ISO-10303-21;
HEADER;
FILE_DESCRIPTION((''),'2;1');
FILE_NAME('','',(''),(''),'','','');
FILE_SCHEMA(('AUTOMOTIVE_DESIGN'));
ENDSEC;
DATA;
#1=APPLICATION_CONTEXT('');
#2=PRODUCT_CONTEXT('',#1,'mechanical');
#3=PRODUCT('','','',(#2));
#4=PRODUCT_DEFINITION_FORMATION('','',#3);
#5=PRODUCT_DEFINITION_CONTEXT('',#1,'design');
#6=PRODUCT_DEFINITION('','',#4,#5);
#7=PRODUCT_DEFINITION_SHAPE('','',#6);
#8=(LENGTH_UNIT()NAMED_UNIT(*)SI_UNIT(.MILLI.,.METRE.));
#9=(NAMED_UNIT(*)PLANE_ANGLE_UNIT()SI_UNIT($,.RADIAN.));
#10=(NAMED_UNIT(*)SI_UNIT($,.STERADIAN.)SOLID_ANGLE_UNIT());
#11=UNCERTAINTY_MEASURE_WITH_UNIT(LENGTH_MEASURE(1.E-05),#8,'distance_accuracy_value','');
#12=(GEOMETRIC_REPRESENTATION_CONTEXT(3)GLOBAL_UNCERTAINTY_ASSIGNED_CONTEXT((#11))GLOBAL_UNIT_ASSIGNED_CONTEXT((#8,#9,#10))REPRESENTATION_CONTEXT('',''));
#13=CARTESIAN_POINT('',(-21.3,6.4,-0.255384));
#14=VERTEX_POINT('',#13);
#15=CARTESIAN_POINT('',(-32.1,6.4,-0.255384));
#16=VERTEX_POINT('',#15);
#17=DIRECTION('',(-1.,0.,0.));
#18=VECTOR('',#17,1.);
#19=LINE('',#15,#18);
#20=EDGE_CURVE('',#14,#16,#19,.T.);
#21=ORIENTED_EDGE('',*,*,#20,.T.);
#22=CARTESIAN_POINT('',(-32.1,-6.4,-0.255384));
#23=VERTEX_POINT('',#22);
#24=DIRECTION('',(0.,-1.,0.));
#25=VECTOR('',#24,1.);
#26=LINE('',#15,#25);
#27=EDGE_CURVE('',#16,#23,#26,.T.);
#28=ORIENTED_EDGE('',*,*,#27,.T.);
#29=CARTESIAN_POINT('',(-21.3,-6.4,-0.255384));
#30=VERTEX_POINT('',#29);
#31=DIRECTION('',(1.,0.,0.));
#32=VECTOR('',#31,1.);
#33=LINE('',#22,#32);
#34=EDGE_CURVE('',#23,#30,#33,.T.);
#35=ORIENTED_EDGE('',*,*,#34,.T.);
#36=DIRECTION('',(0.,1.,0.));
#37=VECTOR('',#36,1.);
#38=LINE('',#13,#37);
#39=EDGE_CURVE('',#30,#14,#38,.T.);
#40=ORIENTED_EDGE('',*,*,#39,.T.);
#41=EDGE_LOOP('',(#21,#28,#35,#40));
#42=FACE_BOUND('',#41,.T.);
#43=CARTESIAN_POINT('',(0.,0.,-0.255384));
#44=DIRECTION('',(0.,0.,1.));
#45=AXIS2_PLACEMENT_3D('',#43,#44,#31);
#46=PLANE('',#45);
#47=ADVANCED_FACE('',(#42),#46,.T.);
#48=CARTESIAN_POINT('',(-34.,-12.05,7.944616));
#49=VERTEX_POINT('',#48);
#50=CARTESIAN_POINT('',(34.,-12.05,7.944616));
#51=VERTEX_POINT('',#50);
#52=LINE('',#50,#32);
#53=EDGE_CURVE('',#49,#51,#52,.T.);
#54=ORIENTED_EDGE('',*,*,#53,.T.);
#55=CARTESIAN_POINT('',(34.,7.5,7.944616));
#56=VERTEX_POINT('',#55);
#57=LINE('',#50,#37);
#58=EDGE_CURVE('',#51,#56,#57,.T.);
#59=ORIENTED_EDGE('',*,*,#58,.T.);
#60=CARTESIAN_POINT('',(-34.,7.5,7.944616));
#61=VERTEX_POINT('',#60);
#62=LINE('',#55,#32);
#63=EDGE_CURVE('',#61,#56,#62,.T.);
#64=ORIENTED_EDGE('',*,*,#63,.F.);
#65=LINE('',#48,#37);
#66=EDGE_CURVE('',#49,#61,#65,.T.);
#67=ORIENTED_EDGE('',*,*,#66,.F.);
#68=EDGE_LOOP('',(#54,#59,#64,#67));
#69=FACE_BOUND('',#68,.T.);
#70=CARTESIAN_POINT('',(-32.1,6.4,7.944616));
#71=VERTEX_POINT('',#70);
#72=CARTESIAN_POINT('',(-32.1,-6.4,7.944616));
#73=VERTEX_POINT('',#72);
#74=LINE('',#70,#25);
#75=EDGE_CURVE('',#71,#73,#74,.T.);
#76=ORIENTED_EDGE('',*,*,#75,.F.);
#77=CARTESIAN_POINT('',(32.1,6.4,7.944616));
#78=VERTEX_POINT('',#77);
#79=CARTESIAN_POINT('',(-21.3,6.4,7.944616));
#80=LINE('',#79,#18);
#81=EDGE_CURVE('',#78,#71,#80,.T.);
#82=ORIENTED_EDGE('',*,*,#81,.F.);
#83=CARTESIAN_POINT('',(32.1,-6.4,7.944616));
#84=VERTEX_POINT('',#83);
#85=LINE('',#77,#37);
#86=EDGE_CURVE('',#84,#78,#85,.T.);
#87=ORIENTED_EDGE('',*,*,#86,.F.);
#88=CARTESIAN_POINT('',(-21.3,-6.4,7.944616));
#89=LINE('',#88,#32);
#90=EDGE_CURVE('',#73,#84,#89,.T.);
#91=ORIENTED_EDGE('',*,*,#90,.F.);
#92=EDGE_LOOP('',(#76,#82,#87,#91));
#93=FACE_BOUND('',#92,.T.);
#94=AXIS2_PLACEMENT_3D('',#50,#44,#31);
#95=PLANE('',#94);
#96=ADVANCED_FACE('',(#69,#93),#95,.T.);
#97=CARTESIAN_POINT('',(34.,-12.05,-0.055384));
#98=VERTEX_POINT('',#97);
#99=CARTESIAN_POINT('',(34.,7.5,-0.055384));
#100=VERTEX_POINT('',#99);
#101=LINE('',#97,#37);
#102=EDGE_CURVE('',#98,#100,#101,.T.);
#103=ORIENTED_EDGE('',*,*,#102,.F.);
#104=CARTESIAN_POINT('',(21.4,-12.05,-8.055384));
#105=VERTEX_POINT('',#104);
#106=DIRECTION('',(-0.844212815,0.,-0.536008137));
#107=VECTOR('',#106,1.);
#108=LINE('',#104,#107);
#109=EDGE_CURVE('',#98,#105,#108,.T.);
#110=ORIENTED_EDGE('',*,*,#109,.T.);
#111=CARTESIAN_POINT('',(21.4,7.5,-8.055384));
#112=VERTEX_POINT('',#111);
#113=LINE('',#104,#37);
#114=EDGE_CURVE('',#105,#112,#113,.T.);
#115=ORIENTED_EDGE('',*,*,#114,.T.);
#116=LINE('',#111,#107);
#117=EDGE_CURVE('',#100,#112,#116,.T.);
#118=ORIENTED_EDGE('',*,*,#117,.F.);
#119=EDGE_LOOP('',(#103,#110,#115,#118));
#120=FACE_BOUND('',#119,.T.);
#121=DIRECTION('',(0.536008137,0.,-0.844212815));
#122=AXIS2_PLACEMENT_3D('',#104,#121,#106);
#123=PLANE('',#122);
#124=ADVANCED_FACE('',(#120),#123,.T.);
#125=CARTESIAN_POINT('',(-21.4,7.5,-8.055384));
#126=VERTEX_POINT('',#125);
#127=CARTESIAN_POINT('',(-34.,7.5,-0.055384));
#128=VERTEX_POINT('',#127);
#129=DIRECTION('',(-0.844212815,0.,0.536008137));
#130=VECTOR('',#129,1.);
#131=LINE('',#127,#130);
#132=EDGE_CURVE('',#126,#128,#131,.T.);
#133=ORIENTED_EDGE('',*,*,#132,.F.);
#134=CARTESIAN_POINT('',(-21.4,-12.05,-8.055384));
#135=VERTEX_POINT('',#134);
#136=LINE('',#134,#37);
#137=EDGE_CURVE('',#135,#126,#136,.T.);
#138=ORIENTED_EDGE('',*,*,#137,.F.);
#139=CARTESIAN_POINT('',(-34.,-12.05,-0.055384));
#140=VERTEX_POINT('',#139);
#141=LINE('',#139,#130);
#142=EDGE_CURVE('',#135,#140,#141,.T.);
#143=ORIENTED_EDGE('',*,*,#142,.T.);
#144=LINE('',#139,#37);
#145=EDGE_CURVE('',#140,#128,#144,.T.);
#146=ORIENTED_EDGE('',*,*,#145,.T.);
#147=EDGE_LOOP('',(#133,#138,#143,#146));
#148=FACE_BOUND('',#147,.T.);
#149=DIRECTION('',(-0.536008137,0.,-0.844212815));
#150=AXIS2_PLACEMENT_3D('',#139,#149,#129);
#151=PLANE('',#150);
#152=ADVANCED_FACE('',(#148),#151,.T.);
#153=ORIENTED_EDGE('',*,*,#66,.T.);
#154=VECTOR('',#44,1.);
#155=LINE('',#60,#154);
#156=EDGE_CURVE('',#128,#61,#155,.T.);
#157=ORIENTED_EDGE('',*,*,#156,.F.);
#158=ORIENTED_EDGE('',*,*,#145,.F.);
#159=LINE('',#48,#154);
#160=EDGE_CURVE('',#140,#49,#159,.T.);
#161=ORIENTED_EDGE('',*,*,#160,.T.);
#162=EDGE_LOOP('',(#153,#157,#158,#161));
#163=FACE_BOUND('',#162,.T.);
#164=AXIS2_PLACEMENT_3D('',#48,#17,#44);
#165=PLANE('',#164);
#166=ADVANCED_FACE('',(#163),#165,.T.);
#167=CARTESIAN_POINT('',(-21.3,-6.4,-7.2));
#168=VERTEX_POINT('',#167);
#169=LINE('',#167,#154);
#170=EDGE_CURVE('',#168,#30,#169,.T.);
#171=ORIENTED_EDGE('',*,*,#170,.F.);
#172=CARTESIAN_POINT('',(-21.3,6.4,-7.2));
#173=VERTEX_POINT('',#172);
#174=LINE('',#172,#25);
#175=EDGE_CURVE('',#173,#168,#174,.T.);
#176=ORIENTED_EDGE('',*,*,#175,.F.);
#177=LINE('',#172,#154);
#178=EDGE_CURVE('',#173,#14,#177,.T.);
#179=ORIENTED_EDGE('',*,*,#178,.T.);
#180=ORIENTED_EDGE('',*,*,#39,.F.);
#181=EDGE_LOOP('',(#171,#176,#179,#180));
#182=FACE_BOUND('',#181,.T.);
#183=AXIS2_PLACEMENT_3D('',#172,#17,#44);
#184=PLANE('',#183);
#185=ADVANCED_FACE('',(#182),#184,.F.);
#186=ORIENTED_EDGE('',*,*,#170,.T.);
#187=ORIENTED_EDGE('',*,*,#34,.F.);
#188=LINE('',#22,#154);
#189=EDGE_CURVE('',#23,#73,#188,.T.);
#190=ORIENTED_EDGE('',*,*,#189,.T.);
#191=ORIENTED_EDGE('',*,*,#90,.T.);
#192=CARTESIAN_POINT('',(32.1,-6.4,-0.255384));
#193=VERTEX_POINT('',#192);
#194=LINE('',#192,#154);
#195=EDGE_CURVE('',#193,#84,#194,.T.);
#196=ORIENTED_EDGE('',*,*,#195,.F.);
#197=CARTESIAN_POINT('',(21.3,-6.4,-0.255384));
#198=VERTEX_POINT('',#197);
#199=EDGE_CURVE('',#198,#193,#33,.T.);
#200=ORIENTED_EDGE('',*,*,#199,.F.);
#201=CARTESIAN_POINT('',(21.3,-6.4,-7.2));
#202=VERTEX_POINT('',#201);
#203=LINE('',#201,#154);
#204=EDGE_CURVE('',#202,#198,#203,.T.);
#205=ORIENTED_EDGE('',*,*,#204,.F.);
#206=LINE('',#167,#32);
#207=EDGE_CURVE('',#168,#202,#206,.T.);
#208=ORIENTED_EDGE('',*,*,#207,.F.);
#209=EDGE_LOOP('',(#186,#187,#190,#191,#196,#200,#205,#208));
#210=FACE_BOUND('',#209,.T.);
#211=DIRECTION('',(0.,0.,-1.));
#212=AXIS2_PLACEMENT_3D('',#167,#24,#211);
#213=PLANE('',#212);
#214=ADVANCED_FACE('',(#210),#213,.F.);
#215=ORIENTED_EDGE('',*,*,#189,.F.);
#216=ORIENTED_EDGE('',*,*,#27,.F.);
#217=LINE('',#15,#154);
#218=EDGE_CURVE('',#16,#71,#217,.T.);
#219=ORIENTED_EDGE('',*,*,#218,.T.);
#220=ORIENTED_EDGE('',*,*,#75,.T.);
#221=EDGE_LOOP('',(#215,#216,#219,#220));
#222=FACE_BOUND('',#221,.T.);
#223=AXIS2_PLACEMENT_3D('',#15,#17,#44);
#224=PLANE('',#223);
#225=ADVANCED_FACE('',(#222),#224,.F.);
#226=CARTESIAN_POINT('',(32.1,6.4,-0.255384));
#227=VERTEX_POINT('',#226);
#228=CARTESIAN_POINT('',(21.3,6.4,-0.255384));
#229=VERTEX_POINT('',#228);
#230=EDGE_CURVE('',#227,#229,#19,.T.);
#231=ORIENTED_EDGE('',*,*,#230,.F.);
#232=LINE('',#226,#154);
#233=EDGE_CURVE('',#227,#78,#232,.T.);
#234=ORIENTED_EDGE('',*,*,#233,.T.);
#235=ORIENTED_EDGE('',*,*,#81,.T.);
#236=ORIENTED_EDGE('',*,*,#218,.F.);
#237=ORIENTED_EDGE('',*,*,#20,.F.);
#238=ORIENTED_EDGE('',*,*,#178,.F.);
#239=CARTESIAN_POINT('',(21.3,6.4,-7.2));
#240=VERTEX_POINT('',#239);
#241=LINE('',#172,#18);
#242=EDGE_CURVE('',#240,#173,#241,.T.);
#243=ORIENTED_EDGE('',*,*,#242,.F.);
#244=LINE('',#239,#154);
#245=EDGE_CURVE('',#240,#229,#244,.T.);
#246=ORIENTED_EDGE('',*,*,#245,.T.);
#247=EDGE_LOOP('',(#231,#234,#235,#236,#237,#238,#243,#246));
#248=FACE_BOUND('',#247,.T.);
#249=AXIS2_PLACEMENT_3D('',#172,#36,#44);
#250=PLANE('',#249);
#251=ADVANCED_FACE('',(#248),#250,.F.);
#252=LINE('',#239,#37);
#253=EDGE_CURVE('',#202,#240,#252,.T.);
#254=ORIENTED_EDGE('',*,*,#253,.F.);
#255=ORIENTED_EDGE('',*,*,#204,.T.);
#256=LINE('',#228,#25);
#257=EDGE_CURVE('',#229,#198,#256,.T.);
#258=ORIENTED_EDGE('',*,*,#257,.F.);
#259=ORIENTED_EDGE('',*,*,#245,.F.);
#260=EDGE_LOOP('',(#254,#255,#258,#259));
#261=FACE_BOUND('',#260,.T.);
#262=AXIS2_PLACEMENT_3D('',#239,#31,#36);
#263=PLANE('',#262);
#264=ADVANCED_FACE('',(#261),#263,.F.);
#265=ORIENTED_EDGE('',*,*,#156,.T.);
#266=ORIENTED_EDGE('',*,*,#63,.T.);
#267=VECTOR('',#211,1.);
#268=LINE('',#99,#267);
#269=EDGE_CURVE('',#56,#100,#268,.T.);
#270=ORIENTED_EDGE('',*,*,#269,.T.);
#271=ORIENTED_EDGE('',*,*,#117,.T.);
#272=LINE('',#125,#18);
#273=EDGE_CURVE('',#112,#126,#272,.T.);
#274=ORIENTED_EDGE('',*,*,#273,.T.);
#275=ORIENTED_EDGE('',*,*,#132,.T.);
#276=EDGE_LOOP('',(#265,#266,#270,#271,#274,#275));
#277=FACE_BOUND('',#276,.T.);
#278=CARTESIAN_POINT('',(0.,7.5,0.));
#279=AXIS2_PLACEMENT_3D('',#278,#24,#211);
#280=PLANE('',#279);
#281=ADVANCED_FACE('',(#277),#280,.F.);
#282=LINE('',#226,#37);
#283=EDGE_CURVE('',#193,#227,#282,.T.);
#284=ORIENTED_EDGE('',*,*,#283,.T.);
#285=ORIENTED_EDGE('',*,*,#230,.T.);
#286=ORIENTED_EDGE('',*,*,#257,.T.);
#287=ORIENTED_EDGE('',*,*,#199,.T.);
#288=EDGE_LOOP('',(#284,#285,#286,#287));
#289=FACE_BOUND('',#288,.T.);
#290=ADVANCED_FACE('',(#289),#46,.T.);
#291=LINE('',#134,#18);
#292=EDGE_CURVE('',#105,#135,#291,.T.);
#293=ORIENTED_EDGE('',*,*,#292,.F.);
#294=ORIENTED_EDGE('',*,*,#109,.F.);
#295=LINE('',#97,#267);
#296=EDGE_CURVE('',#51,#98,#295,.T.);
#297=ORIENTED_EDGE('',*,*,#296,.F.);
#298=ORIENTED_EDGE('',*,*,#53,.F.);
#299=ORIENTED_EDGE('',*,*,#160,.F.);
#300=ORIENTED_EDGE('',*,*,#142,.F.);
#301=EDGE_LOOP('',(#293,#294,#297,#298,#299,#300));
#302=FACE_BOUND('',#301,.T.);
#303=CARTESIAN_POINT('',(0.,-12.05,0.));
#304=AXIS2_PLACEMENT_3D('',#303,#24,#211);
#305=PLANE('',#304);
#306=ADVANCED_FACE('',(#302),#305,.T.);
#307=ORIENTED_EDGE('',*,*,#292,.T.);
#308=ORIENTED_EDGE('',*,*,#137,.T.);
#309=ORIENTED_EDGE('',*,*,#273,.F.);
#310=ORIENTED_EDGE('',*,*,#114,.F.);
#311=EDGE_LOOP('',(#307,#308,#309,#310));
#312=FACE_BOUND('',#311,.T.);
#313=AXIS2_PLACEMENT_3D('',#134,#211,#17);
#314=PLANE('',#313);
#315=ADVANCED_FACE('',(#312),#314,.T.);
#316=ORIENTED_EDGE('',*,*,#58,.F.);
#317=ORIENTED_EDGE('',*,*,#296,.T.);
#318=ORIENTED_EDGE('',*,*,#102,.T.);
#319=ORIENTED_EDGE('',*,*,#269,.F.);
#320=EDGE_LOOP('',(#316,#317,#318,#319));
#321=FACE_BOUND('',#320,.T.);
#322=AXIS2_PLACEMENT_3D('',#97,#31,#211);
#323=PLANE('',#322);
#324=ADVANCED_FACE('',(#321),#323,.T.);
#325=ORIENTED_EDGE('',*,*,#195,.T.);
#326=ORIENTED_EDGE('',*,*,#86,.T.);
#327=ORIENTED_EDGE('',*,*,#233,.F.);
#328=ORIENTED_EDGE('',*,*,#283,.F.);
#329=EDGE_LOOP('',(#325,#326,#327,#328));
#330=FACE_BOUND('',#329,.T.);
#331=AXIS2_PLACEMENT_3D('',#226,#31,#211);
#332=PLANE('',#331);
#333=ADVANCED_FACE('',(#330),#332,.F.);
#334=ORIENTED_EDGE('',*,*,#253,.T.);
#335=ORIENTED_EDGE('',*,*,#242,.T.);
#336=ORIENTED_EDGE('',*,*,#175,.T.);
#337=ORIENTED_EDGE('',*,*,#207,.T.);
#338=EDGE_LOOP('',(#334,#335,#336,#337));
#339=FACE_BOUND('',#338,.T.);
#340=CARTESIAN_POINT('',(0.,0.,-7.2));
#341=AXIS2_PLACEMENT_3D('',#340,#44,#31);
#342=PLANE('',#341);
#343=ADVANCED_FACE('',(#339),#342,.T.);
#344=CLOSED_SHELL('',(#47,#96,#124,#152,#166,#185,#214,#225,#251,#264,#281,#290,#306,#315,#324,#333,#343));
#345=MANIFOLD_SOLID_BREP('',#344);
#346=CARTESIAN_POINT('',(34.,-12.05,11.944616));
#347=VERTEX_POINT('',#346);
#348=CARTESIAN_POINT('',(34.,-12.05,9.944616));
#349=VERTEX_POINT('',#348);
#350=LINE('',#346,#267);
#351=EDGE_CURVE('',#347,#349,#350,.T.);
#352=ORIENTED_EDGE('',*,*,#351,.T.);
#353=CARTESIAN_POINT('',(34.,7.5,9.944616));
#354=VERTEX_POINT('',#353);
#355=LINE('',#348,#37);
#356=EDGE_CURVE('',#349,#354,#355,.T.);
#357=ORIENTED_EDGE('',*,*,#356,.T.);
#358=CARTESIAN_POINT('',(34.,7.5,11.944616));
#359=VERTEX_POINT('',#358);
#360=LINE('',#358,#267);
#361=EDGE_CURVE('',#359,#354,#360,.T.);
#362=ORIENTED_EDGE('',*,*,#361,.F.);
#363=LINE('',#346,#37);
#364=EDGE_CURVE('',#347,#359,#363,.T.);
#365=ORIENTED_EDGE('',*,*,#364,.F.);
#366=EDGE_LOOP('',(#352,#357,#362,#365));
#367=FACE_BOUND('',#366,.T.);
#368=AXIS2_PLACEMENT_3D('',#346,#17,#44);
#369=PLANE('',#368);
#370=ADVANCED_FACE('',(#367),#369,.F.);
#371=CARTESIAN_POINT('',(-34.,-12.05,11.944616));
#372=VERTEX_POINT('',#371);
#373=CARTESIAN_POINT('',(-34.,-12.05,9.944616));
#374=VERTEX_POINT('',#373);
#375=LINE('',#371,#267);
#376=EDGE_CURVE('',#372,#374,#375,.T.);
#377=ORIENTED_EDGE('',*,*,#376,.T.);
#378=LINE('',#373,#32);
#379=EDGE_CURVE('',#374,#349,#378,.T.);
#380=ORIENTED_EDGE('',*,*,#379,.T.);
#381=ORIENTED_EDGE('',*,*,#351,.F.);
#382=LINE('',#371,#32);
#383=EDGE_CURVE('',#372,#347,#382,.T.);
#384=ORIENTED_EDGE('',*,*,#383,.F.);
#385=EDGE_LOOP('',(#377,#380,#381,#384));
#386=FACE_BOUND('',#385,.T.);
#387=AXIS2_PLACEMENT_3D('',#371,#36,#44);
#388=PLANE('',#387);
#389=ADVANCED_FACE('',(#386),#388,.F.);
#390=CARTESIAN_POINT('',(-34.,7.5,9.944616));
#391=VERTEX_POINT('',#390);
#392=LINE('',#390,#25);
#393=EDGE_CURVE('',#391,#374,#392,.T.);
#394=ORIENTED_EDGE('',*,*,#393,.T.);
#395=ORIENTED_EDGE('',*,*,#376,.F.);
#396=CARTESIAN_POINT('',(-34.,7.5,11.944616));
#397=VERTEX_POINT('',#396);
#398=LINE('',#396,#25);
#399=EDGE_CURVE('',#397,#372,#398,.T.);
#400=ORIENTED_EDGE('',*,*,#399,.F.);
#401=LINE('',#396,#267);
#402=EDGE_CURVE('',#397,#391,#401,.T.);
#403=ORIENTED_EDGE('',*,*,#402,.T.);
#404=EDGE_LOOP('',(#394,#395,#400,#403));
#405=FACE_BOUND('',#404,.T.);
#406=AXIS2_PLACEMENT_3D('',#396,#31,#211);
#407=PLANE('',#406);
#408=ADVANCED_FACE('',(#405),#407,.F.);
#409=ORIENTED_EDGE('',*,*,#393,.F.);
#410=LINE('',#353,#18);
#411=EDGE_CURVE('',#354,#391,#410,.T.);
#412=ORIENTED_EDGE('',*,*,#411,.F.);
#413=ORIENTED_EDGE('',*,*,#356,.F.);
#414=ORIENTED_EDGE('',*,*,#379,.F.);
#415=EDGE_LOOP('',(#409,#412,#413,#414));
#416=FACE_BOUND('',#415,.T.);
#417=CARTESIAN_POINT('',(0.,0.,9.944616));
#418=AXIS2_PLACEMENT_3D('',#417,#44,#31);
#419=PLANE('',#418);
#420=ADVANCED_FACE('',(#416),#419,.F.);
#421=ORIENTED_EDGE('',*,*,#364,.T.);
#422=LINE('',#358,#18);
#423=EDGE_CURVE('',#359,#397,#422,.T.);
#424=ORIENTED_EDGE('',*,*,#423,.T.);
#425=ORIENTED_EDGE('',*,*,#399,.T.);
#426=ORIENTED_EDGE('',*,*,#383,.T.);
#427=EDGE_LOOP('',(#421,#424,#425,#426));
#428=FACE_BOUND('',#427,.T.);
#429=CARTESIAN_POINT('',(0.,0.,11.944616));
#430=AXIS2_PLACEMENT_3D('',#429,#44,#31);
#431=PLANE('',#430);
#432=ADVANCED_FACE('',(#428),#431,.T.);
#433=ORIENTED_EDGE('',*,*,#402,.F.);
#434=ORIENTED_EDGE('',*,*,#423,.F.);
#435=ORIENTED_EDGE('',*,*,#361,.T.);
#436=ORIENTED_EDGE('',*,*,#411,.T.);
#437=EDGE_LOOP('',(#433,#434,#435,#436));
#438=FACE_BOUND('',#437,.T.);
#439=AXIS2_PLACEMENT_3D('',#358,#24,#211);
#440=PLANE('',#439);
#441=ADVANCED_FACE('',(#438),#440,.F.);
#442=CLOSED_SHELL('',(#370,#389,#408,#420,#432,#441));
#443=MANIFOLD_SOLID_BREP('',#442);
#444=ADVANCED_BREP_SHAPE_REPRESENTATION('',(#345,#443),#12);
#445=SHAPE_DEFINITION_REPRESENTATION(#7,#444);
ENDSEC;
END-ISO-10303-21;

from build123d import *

# Parameters (mm, degrees)
BOSS_EXTRUDE1_DEPTH      = 7.5
BOSS_EXTRUDE1_DEPTH_BACK = 12.05
SKETCH1_W                = 42.6
SKETCH1_H                = 12.8
CUT_EXTRUDE1_DEPTH       = 7.2
SKETCH1_2_W              = 42.6
SKETCH1_2_H              = 12.8
CUT_EXTRUDE2_DEPTH       = 37.960677854
SKETCH3_W                = 64.2
SKETCH3_H                = 12.8
CUT_EXTRUDE3_DEPTH       = 8.2
BOSS_EXTRUDE2_START      = 2
SKETCH4_W                = 68
SKETCH4_H                = 19.55
BOSS_EXTRUDE2_DEPTH      = 2


with BuildPart() as part:
    # Sketch2 → Boss-Extrude1 (new, two sides: drawn at the far end of the back side and taken through both)
    with BuildSketch(Plane(origin=(0, 0, 0), x_dir=(1, 0, 0), z_dir=(0, 1, 0)).offset(-BOSS_EXTRUDE1_DEPTH_BACK)):
        Polygon((-34, 0.055383753), (-21.4, 8.055383753), (21.4, 8.055383753), (34, 0.055383753), (34, -7.944616247), (-34, -7.944616247), align=None)
    extrude(amount=BOSS_EXTRUDE1_DEPTH + BOSS_EXTRUDE1_DEPTH_BACK)

    # Sketch1 → Cut-Extrude1 (cut)
    with BuildSketch(Plane.XY):
        Rectangle(SKETCH1_W, SKETCH1_H)
    extrude(amount=-CUT_EXTRUDE1_DEPTH, mode=Mode.SUBTRACT)

    # Sketch1<2> → Cut-Extrude2 (cut, through all)
    with BuildSketch(Plane.XY):
        Rectangle(SKETCH1_2_W, SKETCH1_2_H)
    extrude(amount=CUT_EXTRUDE2_DEPTH, mode=Mode.SUBTRACT)

    # Sketch3 → Cut-Extrude3 (cut)
    with BuildSketch(Plane.XY.offset(7.944616247)):
        Rectangle(SKETCH3_W, SKETCH3_H)
    extrude(amount=-CUT_EXTRUDE3_DEPTH, mode=Mode.SUBTRACT)


with BuildPart() as body_2:
    # Sketch4 → Boss-Extrude2 (new body)
    with BuildSketch(Plane.XY.offset(7.944616247).offset(BOSS_EXTRUDE2_START)):
        with Locations((0, -2.275)):
            Rectangle(SKETCH4_W, SKETCH4_H)
    extrude(amount=BOSS_EXTRUDE2_DEPTH)


solid = Compound([part.part, body_2.part])
